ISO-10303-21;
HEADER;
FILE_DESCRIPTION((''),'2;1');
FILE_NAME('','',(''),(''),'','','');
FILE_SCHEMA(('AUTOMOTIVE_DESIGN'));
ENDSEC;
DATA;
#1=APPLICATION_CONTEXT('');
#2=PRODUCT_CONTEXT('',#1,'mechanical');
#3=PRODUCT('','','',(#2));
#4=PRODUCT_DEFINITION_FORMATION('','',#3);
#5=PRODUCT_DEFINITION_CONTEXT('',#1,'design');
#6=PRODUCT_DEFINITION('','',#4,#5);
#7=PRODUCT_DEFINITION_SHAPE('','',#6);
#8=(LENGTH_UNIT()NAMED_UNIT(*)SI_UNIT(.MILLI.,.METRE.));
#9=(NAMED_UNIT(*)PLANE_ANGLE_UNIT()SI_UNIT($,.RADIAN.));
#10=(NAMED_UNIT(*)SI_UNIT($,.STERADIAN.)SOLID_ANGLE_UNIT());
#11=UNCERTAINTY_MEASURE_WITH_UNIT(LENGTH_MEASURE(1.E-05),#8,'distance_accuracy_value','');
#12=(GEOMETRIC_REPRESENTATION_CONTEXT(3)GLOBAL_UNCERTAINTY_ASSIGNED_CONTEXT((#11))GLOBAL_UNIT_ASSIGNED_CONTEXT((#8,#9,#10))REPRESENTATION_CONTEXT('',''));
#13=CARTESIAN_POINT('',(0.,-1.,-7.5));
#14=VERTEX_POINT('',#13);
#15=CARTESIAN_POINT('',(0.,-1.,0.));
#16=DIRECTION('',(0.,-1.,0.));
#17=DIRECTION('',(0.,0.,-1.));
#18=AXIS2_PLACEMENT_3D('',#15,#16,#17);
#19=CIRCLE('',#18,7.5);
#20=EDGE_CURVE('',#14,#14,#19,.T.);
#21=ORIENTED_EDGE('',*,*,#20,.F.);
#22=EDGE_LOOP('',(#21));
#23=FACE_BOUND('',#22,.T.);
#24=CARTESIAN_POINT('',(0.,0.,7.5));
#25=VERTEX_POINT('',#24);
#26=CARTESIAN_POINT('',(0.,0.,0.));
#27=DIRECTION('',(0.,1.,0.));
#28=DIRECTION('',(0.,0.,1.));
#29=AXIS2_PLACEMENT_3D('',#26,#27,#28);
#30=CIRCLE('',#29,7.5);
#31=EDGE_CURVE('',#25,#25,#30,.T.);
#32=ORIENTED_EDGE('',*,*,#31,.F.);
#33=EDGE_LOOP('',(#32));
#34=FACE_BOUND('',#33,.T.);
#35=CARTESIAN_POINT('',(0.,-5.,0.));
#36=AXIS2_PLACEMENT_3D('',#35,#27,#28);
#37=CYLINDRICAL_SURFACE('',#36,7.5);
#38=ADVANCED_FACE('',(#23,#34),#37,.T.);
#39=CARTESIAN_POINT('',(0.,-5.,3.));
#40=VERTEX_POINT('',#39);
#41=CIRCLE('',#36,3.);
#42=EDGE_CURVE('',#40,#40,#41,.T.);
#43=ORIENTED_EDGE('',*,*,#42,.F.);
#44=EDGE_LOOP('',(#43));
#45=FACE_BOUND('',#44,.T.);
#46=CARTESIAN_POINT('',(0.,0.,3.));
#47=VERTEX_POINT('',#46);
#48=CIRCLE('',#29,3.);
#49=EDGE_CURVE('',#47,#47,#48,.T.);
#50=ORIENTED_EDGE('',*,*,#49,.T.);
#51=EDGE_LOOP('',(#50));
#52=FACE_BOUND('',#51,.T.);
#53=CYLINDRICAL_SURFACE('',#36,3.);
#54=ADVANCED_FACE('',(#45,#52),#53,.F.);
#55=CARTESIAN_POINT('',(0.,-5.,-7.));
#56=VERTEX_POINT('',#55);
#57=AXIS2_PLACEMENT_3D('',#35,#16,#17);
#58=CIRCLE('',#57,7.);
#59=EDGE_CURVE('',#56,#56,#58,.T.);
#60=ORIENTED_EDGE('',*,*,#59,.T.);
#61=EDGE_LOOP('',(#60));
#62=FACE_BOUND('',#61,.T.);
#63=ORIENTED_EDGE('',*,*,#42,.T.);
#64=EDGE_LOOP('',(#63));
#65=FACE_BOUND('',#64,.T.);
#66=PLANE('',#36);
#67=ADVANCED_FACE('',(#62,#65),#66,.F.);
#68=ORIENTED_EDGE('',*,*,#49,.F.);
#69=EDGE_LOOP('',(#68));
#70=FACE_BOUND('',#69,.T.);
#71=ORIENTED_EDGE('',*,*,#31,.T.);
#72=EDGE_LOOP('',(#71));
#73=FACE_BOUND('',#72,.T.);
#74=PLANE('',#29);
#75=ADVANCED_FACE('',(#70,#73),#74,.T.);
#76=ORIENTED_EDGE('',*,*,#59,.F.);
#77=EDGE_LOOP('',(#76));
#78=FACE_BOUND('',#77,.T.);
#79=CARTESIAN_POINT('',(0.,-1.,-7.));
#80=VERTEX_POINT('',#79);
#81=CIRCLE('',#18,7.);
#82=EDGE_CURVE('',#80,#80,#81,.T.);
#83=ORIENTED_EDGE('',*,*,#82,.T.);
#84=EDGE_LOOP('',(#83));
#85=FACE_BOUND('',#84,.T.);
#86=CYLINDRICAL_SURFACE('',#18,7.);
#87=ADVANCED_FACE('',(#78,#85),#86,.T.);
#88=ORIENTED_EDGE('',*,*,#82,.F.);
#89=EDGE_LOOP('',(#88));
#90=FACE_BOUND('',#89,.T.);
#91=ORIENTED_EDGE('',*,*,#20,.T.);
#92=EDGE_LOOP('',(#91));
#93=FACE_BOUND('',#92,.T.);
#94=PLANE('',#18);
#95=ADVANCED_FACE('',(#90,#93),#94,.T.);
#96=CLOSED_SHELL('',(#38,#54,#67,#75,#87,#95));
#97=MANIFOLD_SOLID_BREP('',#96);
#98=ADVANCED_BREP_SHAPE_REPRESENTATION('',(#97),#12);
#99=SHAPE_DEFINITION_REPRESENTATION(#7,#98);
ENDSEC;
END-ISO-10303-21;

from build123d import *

# Parameters (mm, degrees)
SKETCH1_R           = 7.5
SKETCH1_R_2         = 3
BOSS_EXTRUDE1_DEPTH = 5
SKETCH2_R           = 7.5
SKETCH2_R_2         = 7
CUT_EXTRUDE2_DEPTH  = 4


with BuildPart() as part:
    # Sketch1 → Boss-Extrude1 (new body)
    with BuildSketch(Plane(origin=(0, 0, 0), x_dir=(1, 0, 0), z_dir=(0, 1, 0))):
        Circle(SKETCH1_R)
        Circle(SKETCH1_R_2, mode=Mode.SUBTRACT)
    extrude(amount=-BOSS_EXTRUDE1_DEPTH)

    # Sketch2 → Cut-Extrude2 (cut)
    with BuildSketch(Plane.XZ.offset(5)):
        Circle(SKETCH2_R)
        Circle(SKETCH2_R_2, mode=Mode.SUBTRACT)
    extrude(amount=-CUT_EXTRUDE2_DEPTH, mode=Mode.SUBTRACT)


solid = part.part
